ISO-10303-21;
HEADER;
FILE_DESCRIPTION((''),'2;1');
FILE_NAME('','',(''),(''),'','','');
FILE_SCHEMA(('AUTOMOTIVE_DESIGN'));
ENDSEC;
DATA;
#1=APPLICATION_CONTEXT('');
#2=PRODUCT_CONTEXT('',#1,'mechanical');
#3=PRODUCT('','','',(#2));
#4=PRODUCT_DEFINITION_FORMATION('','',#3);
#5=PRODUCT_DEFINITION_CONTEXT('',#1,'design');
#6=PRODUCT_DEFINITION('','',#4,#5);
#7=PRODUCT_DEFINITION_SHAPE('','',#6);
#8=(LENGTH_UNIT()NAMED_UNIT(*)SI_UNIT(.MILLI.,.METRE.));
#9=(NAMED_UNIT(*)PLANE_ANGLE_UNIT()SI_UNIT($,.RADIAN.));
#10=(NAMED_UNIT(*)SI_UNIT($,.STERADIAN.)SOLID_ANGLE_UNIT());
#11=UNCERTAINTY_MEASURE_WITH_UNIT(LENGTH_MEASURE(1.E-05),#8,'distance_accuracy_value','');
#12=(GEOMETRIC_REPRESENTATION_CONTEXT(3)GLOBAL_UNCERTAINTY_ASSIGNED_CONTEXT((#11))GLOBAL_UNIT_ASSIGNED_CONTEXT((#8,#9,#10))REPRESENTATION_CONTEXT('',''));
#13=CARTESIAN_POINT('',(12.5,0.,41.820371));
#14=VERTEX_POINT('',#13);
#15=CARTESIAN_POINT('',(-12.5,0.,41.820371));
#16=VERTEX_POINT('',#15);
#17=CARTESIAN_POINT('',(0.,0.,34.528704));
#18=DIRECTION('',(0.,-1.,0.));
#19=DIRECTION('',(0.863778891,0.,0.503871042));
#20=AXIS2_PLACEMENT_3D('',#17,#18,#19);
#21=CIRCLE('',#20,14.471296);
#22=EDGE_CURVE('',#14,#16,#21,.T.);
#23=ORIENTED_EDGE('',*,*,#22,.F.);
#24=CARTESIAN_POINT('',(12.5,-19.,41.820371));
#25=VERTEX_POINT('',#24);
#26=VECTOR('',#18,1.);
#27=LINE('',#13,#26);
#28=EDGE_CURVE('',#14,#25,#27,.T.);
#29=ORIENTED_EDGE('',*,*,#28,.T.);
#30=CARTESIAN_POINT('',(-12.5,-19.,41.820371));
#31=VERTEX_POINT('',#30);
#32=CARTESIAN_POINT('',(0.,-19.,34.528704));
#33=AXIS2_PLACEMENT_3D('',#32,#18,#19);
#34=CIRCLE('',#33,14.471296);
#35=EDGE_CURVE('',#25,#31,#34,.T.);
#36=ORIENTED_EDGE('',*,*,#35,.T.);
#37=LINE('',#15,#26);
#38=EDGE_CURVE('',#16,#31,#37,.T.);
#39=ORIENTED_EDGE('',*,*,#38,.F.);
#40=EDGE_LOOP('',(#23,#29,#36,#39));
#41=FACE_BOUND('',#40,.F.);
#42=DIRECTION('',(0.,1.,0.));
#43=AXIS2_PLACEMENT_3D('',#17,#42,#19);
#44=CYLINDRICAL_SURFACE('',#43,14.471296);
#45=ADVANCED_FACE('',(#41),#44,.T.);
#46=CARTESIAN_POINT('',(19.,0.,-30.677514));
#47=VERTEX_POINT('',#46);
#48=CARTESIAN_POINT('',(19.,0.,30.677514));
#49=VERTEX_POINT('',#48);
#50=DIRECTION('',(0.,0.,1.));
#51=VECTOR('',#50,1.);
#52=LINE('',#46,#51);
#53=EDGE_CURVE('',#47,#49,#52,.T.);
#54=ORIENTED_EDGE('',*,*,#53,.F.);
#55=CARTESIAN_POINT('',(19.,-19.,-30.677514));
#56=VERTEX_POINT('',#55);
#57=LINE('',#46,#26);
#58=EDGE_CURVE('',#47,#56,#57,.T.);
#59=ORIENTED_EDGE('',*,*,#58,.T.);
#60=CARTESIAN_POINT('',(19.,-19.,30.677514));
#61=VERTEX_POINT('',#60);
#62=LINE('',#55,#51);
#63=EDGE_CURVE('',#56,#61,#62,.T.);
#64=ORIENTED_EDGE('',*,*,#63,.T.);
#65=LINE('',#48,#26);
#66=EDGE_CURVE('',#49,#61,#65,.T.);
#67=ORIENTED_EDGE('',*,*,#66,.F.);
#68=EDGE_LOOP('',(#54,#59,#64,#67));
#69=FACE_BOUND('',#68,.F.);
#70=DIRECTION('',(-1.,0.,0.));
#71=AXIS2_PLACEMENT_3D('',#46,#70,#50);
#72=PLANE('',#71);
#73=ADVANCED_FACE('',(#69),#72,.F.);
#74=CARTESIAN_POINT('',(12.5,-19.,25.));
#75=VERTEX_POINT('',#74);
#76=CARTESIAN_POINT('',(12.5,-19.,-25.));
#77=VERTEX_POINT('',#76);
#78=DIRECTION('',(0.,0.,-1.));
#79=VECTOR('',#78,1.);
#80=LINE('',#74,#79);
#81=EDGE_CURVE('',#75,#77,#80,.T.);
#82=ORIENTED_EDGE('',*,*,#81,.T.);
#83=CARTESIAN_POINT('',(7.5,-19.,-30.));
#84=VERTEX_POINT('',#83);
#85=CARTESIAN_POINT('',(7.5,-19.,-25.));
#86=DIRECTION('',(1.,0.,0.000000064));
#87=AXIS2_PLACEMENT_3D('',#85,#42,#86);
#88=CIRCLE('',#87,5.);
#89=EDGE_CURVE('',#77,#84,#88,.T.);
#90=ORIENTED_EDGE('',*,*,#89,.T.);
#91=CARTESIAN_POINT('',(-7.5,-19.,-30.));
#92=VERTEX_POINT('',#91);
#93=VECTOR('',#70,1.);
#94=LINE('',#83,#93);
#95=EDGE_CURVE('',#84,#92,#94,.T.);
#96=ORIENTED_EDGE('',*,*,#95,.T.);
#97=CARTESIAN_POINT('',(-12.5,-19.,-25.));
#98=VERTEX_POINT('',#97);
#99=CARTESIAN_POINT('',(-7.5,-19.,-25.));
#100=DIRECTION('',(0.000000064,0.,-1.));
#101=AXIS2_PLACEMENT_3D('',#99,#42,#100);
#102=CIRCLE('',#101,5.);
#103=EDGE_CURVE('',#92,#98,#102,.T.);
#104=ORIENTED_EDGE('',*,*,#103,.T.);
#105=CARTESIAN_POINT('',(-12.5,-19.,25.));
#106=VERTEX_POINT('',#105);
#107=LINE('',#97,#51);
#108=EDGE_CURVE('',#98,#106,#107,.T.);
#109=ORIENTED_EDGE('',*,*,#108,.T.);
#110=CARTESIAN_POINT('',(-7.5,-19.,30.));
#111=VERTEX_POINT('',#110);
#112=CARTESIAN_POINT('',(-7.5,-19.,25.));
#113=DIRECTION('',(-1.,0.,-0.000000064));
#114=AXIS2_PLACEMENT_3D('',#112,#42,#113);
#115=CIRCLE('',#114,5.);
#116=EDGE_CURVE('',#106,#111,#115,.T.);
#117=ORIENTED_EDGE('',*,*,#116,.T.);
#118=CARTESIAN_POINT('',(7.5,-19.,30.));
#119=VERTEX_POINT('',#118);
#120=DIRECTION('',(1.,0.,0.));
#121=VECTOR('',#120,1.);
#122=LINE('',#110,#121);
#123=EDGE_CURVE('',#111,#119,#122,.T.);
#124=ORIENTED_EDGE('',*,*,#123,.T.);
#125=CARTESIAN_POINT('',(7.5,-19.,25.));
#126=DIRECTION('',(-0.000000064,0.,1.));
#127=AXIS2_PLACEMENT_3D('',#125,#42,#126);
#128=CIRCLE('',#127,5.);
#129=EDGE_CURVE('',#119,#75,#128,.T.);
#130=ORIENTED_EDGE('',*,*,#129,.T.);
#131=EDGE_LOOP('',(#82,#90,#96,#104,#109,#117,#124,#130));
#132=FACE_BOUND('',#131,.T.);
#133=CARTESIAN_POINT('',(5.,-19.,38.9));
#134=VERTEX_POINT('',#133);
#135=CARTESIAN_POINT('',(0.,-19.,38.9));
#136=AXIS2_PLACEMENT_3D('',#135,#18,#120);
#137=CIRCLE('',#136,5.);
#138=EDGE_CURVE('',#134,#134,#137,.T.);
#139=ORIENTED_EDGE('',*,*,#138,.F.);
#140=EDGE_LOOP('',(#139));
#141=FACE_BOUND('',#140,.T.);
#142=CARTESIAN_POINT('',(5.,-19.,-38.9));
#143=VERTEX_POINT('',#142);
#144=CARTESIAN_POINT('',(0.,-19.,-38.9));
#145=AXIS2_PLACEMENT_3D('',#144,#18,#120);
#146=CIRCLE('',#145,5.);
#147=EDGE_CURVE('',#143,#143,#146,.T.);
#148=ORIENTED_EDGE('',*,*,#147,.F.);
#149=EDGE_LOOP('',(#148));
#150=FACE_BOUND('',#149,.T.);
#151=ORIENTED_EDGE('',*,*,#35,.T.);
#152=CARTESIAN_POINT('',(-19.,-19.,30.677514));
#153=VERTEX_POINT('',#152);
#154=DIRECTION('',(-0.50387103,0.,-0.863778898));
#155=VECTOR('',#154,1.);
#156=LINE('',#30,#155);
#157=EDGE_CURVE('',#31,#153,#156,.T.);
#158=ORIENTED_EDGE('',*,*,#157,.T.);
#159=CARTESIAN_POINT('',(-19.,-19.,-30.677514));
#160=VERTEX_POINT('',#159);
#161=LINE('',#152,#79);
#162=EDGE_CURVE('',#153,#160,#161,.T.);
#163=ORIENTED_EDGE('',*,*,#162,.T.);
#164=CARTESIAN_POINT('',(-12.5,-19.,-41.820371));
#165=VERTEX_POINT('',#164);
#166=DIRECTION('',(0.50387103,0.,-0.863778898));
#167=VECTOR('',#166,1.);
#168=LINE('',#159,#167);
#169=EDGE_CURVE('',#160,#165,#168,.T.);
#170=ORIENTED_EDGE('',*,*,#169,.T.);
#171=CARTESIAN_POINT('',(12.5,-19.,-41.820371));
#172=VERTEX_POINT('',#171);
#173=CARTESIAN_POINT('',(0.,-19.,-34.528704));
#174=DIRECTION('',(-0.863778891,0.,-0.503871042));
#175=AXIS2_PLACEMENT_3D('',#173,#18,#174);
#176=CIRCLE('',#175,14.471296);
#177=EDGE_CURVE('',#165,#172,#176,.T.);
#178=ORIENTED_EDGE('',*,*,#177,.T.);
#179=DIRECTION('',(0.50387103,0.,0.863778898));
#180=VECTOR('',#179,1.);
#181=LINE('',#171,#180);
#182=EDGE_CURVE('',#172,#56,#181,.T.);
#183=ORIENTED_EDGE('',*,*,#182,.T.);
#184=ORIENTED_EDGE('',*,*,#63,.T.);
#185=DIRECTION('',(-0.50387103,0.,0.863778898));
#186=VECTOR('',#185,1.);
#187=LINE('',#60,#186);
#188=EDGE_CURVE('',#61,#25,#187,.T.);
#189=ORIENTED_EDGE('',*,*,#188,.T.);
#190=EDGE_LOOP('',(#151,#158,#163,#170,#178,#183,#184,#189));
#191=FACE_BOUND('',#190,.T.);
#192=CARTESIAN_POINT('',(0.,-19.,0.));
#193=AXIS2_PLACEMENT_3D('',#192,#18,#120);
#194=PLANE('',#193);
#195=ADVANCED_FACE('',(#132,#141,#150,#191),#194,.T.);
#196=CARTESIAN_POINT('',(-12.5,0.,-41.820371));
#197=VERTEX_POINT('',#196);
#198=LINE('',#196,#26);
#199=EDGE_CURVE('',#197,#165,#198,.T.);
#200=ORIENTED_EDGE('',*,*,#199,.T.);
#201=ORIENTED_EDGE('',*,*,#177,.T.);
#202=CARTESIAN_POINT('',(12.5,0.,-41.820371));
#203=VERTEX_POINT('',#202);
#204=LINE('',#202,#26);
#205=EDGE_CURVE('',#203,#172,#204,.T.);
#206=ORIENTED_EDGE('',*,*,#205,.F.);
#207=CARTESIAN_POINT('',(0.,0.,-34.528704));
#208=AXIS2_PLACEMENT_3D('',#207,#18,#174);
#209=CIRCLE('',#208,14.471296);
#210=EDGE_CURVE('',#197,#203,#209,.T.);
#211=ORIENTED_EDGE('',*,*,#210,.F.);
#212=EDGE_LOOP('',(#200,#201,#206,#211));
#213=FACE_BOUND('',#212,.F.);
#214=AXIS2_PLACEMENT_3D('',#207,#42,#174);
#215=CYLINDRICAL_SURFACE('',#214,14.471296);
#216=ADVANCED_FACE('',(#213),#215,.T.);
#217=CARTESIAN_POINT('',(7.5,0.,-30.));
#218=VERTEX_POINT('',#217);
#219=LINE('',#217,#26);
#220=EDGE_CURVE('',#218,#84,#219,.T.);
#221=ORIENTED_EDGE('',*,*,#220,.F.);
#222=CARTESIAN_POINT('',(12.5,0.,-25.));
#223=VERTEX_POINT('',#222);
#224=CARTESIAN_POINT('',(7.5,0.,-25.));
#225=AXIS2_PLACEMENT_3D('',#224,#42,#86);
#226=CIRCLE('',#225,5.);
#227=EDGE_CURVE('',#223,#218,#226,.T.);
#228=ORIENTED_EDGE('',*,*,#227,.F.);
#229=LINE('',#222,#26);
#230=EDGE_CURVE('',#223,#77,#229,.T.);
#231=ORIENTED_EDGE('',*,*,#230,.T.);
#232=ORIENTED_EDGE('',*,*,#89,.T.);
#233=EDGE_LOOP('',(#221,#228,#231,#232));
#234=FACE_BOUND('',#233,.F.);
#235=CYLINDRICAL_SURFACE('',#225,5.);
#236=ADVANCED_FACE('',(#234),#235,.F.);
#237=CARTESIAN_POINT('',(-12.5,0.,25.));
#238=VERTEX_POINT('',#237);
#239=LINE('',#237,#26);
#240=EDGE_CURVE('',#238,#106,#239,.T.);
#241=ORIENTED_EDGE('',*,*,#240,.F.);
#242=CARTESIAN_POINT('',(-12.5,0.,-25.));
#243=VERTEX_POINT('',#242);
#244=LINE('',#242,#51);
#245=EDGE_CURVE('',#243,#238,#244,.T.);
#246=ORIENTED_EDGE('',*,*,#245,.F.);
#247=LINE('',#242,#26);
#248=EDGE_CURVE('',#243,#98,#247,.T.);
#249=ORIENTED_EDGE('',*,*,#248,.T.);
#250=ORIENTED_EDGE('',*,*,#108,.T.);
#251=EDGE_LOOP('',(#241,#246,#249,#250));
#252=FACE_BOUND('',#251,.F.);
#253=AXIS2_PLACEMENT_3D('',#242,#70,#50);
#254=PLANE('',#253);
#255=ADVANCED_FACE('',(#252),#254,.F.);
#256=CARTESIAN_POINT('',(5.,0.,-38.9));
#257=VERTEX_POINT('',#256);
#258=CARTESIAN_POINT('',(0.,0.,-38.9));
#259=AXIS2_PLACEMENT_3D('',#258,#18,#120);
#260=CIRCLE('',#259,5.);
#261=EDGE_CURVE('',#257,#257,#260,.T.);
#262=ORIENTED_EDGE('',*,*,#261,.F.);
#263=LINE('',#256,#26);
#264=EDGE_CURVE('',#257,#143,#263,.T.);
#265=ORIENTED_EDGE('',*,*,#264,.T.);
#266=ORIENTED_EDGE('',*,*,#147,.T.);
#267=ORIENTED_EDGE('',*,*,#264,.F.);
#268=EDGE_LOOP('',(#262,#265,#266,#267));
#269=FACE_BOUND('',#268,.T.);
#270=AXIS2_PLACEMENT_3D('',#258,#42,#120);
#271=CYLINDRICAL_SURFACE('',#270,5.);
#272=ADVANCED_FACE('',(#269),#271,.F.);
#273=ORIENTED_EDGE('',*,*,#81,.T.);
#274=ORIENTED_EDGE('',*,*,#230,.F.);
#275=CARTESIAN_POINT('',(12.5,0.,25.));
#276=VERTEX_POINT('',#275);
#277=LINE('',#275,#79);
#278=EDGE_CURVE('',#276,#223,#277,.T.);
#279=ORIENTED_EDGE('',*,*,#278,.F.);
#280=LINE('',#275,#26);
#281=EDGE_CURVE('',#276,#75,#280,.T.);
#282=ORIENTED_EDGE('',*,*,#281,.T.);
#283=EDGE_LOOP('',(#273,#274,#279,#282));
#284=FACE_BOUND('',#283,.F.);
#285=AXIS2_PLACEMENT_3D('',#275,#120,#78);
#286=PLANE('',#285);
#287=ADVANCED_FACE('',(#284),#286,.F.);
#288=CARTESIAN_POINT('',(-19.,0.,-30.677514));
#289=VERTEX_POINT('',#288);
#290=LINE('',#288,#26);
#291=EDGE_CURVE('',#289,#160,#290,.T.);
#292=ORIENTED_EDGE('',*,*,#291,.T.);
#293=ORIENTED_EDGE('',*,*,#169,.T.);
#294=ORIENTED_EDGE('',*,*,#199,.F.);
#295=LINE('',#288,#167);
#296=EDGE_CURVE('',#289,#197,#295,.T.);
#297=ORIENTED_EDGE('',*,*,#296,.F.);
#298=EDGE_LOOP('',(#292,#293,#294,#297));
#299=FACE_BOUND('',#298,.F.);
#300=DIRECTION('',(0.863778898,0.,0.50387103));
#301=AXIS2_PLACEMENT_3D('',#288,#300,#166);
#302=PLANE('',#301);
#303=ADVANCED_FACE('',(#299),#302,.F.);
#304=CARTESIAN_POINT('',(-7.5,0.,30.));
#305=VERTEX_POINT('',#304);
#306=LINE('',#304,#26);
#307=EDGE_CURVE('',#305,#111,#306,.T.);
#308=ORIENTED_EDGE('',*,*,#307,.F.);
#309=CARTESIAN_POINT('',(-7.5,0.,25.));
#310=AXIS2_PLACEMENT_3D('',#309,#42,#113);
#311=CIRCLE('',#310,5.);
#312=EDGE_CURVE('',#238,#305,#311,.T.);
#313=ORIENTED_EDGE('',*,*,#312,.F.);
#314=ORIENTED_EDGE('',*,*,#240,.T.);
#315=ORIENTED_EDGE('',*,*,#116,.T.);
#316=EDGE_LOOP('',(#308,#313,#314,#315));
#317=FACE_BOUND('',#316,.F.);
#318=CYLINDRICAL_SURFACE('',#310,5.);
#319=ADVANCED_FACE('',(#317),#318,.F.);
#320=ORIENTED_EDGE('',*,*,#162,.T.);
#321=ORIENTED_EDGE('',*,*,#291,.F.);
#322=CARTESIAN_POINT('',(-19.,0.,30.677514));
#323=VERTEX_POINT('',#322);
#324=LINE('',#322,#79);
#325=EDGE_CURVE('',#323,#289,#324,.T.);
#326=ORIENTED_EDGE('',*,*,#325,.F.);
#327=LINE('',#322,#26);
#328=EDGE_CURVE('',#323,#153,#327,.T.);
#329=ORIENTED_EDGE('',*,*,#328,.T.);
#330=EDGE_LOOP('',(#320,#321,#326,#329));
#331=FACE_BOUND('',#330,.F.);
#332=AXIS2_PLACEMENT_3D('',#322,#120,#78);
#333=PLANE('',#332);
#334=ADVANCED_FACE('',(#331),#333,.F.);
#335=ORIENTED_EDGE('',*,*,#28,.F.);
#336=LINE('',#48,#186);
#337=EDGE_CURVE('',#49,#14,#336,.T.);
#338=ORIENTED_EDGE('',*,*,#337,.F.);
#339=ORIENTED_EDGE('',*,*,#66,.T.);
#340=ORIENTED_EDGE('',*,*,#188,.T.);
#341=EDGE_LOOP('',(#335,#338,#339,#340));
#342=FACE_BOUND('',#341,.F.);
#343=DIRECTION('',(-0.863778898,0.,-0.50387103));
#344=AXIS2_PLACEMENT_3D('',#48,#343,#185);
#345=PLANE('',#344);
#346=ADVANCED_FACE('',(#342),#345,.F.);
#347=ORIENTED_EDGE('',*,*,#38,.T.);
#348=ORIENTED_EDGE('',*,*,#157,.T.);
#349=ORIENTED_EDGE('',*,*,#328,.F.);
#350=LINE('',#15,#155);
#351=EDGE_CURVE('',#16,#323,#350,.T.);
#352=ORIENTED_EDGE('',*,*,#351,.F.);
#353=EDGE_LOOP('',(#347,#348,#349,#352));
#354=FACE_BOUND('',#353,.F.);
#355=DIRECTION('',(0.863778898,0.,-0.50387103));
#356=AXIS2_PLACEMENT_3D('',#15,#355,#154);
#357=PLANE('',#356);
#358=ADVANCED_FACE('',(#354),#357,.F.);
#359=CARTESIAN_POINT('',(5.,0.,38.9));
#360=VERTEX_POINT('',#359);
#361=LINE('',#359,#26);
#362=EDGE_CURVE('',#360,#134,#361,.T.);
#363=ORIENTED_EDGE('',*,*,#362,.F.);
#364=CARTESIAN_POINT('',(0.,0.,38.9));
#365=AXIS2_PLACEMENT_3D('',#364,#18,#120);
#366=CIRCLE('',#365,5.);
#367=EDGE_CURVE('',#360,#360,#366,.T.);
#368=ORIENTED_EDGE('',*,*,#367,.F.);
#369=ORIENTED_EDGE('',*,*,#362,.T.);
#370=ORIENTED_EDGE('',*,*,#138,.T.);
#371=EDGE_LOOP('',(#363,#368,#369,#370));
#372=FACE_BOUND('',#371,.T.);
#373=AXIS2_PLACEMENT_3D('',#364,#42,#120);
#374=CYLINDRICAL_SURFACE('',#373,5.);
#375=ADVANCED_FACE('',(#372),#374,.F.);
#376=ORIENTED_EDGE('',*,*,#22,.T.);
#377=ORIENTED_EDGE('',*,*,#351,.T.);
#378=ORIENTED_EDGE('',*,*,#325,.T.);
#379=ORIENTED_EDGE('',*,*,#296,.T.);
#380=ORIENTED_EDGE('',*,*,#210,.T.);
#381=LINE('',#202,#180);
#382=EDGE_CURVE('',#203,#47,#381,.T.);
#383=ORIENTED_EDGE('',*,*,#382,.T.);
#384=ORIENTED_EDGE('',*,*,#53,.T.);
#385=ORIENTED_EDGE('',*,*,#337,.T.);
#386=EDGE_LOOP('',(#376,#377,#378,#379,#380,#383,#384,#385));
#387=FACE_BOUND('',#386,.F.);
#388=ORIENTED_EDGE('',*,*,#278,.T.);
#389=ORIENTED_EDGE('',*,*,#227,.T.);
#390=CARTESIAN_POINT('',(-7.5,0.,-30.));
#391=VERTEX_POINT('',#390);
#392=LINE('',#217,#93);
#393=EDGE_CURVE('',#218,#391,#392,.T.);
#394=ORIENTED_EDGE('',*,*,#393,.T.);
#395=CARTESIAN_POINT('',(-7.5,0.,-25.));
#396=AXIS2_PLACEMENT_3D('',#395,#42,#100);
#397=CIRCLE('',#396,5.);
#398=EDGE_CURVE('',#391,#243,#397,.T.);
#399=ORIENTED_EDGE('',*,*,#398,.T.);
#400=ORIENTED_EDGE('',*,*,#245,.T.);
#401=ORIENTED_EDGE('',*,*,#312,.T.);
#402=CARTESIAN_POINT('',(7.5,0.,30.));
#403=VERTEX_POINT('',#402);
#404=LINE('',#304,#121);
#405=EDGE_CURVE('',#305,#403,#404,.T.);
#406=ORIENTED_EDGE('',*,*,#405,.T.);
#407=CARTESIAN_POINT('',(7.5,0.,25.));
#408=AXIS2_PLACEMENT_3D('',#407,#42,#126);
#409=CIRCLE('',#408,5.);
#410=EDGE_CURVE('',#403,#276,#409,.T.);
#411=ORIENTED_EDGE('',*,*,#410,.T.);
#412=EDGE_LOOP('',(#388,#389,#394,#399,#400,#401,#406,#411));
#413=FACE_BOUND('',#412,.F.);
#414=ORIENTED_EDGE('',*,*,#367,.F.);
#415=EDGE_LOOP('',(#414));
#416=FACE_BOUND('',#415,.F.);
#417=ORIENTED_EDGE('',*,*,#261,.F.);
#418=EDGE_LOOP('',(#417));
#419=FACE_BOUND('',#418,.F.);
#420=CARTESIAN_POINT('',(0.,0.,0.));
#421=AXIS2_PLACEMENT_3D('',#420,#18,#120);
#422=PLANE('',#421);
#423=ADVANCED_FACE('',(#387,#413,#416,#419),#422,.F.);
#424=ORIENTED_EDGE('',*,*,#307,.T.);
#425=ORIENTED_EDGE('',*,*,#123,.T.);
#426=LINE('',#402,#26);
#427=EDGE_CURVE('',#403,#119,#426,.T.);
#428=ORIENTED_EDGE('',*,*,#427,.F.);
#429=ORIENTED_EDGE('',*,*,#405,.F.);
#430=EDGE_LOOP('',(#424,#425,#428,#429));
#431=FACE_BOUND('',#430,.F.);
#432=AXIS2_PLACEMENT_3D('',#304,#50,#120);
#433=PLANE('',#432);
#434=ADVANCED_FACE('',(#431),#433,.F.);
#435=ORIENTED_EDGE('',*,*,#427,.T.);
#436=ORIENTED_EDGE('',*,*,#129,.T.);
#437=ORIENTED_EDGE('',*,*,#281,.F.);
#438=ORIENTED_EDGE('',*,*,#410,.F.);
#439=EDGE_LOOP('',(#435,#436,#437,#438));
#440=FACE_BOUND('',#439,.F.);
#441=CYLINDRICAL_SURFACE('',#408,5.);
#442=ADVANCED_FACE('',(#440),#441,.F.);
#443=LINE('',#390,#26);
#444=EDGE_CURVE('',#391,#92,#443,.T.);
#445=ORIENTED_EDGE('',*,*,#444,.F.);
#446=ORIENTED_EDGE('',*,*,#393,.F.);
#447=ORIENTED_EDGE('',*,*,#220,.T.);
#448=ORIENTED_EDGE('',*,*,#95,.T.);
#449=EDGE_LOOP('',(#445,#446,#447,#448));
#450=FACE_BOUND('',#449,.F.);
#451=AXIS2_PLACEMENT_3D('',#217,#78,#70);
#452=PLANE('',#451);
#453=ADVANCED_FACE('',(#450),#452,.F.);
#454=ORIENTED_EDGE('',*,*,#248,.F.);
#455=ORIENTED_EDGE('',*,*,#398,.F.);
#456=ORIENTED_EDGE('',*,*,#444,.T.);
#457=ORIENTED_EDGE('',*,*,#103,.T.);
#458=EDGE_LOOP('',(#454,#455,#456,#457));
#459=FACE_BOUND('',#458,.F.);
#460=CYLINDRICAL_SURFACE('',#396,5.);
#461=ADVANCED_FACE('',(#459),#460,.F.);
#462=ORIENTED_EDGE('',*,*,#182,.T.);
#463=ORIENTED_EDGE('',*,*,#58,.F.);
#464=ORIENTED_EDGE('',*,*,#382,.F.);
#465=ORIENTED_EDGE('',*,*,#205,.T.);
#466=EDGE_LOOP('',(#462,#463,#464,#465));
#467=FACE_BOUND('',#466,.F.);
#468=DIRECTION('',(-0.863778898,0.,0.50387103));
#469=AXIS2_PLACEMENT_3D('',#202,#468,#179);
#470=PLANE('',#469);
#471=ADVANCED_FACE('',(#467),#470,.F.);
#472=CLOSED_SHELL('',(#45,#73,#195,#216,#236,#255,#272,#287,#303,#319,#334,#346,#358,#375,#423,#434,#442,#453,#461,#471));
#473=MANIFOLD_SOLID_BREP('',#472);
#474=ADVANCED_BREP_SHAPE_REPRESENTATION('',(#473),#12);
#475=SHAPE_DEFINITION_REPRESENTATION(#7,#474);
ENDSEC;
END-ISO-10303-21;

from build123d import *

# Parameters (mm, degrees)
F0_R     = 5
F1_DEPTH = 19


with BuildPart() as f1:
    # F0 (on Front) → F1 (new body)
    with BuildSketch(Plane.XZ):
        with BuildLine():
            Line((-12.5, 41.820371), (-19, 30.677514))
            Line((-19, 30.677514), (-19, 0))
            Line((-19, 0), (-19, -30.677514))
            Line((-19, -30.677514), (-12.5, -41.820371))
            ThreePointArc((-12.5, -41.820371), (0, -49), (12.5, -41.820371))
            Line((12.5, -41.820371), (19, -30.677514))
            Line((19, -30.677514), (19, 0))
            Line((19, 0), (19, 30.677514))
            Line((19, 30.677514), (12.5, 41.820371))
            ThreePointArc((12.5, 41.820371), (0, 49), (-12.5, 41.820371))
        make_face()
        with Locations((0, -38.9)):
            Circle(F0_R, mode=Mode.SUBTRACT)
        with BuildLine():
            Line((-12.5, -25), (-12.5, 0))
            Line((-12.5, 0), (-12.5, 25))
            ThreePointArc((-12.5, 25), (-11.035534, 28.535534), (-7.5, 30))
            Line((-7.5, 30), (0, 30))
            Line((0, 30), (7.5, 30))
            ThreePointArc((7.5, 30), (11.035534, 28.535534), (12.5, 25))
            Line((12.5, 25), (12.5, 0))
            Line((12.5, 0), (12.5, -25))
            ThreePointArc((12.5, -25), (11.035534, -28.535534), (7.5, -30))
            Line((7.5, -30), (0, -30))
            Line((0, -30), (-7.5, -30))
            ThreePointArc((-7.5, -30), (-11.035534, -28.535534), (-12.5, -25))
        make_face(mode=Mode.SUBTRACT)
        with Locations((0, 38.9)):
            Circle(F0_R, mode=Mode.SUBTRACT)
    extrude(amount=F1_DEPTH)


solid = f1.part
